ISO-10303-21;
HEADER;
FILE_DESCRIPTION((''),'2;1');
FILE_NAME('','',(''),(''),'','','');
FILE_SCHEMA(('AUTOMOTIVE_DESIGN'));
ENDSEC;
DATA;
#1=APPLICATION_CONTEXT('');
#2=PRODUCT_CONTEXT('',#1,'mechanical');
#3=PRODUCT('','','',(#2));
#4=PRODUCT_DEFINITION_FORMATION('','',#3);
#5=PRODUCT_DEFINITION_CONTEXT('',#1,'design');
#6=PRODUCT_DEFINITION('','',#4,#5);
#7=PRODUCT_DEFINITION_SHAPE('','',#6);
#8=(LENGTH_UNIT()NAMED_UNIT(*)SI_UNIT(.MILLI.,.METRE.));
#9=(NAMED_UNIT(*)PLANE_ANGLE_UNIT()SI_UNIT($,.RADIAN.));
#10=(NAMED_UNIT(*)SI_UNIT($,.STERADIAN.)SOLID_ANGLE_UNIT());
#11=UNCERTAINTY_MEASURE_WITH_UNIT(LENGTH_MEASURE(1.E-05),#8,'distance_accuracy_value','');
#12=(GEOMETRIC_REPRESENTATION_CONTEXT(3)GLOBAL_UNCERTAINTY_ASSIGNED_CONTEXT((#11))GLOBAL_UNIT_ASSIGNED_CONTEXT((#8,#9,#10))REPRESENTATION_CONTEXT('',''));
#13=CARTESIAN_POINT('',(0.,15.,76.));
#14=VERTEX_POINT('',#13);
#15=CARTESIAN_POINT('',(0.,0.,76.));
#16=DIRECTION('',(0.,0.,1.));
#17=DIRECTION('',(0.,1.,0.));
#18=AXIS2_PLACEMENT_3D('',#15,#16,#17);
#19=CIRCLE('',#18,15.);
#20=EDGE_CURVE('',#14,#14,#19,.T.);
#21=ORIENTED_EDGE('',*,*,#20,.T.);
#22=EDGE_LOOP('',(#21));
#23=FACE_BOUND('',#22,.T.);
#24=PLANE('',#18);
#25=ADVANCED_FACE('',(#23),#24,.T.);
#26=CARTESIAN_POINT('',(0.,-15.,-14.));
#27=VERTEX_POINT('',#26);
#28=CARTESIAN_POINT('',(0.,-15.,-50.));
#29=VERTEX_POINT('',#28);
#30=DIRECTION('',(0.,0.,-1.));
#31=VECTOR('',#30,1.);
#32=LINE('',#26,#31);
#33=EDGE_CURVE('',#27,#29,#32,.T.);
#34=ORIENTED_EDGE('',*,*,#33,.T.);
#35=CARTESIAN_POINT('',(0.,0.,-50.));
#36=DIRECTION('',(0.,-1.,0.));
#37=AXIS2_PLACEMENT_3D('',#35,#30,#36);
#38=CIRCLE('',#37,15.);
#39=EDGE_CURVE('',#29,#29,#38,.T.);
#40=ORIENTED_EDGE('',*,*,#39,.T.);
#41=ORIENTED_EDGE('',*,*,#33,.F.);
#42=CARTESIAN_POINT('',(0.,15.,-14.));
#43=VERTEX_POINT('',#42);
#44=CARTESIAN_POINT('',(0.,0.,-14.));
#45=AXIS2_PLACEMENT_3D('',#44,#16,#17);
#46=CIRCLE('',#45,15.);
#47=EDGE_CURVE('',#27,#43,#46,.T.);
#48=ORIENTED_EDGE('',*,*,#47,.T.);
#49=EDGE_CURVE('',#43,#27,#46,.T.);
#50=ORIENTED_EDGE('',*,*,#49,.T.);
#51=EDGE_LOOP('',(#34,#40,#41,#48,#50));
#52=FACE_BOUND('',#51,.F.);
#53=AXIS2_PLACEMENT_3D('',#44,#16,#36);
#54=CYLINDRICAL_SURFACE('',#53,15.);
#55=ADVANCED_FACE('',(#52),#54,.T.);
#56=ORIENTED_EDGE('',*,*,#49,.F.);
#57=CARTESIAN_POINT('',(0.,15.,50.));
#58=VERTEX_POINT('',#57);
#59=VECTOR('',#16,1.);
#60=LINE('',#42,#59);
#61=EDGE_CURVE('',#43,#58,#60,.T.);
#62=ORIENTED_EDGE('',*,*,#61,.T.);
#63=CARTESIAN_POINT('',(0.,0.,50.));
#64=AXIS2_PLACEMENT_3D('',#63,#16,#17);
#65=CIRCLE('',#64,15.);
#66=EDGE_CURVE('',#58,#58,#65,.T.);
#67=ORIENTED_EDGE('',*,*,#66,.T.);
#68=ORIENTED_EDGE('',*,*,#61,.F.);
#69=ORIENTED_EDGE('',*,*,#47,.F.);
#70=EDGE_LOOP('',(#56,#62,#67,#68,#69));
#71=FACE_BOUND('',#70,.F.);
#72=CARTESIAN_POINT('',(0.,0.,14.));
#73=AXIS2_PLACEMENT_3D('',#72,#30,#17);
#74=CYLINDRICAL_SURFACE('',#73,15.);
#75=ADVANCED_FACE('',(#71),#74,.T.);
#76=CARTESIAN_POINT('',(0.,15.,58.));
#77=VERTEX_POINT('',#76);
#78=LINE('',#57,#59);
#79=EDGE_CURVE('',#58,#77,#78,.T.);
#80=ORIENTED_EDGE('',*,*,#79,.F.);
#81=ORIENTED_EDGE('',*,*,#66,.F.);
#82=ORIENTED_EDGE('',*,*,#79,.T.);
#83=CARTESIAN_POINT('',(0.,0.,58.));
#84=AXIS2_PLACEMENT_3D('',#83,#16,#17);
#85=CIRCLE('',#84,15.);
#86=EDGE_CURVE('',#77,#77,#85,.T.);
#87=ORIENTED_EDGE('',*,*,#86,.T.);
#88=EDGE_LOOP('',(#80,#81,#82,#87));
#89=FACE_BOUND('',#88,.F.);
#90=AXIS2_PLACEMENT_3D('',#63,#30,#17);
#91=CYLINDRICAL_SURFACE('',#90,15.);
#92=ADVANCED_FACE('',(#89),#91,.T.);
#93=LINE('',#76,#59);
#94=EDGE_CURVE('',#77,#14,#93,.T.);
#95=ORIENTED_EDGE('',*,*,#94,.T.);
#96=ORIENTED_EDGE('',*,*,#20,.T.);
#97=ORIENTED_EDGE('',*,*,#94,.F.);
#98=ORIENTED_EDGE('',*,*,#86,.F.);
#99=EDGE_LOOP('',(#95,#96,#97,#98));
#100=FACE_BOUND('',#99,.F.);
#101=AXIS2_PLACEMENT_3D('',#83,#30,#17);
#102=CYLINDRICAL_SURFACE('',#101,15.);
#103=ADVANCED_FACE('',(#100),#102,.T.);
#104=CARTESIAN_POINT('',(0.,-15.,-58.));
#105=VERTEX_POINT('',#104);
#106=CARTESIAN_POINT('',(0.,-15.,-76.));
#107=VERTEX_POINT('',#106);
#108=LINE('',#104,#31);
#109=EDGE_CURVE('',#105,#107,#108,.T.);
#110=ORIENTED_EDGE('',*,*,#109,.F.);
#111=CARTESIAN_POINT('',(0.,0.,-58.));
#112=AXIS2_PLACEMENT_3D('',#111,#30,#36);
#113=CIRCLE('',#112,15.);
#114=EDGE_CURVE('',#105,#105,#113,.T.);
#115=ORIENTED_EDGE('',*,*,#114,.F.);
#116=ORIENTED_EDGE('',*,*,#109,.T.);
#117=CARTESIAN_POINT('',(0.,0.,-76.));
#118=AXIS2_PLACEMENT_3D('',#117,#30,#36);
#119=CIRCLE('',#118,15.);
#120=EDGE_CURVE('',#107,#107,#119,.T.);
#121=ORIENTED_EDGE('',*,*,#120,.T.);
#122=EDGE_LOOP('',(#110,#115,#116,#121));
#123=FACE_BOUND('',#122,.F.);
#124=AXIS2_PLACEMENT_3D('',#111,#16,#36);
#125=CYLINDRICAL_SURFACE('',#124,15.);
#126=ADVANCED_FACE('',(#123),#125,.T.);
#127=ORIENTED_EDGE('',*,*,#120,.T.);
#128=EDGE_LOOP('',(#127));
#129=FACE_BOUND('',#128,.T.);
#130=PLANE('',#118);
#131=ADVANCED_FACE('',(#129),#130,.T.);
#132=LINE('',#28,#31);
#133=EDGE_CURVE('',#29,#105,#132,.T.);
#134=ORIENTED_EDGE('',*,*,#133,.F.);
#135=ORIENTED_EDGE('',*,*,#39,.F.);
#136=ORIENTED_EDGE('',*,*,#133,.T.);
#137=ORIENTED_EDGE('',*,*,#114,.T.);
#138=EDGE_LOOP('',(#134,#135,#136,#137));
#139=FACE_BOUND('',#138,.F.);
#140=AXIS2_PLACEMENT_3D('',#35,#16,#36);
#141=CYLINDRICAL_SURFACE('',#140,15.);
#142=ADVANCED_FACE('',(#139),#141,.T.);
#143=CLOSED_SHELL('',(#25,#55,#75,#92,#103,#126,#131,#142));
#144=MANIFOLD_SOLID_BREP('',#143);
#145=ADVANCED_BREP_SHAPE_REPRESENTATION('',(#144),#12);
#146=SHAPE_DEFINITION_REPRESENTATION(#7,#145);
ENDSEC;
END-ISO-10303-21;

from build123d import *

# Parameters (mm, degrees)
PAD_DEPTH    = 14
PAD001_DEPTH = 36
PAD002_DEPTH = 36
PAD003_DEPTH = 8
PAD004_DEPTH = 8
PAD005_DEPTH = 18
PAD006_DEPTH = 18


with BuildPart() as part:
    # Sketch → Pad (new body, symmetric)
    with BuildSketch(Plane.XY):
        with BuildLine():
            ThreePointArc((0, -15), (15, 0), (0, 15))
            ThreePointArc((0, 15), (-15, 0), (0, -15))
        make_face()
    extrude(amount=PAD_DEPTH, both=True)

    # Pad Face4 → Pad001 (add)
    with BuildSketch(Plane(origin=(0, 0, 14), x_dir=(0, 1, 0), z_dir=(0, 0, 1))):
        with BuildLine():
            ThreePointArc((-15, 0), (0, -15), (15, 0))
            ThreePointArc((15, 0), (0, 15), (-15, 0))
        make_face()
    extrude(amount=PAD001_DEPTH)

    # Pad001 Face3 → Pad002 (add)
    with BuildSketch(Plane(origin=(0, 0, -14), x_dir=(0, -1, 0), z_dir=(0, 0, -1))):
        with BuildLine():
            ThreePointArc((-15, 0), (0, -15), (15, 0))
            ThreePointArc((15, 0), (0, 15), (-15, 0))
        make_face()
    extrude(amount=PAD002_DEPTH)

    # Pad002 Face8 → Pad003 (add)
    with BuildSketch(Plane(origin=(0, 0, 50), x_dir=(0, 1, 0), z_dir=(0, 0, 1))):
        with BuildLine():
            ThreePointArc((-15, 0), (0, -15), (15, 0))
            ThreePointArc((15, 0), (0, 15), (-15, 0))
        make_face()
    extrude(amount=PAD003_DEPTH)

    # Pad003 Face7 → Pad004 (add)
    with BuildSketch(Plane(origin=(0, 0, -50), x_dir=(0, -1, 0), z_dir=(0, 0, -1))):
        with BuildLine():
            ThreePointArc((-15, 0), (0, -15), (15, 0))
            ThreePointArc((15, 0), (0, 15), (-15, 0))
        make_face()
    extrude(amount=PAD004_DEPTH)

    # Pad004 Face11 → Pad005 (add)
    with BuildSketch(Plane(origin=(0, 0, -58), x_dir=(0, -1, 0), z_dir=(0, 0, -1))):
        with BuildLine():
            ThreePointArc((-15, 0), (0, -15), (15, 0))
            ThreePointArc((15, 0), (0, 15), (-15, 0))
        make_face()
    extrude(amount=PAD005_DEPTH)

    # Pad005 Face12 → Pad006 (add)
    with BuildSketch(Plane(origin=(0, 0, 58), x_dir=(0, 1, 0), z_dir=(0, 0, 1))):
        with BuildLine():
            ThreePointArc((-15, 0), (0, -15), (15, 0))
            ThreePointArc((15, 0), (0, 15), (-15, 0))
        make_face()
    extrude(amount=PAD006_DEPTH)


solid = part.part
